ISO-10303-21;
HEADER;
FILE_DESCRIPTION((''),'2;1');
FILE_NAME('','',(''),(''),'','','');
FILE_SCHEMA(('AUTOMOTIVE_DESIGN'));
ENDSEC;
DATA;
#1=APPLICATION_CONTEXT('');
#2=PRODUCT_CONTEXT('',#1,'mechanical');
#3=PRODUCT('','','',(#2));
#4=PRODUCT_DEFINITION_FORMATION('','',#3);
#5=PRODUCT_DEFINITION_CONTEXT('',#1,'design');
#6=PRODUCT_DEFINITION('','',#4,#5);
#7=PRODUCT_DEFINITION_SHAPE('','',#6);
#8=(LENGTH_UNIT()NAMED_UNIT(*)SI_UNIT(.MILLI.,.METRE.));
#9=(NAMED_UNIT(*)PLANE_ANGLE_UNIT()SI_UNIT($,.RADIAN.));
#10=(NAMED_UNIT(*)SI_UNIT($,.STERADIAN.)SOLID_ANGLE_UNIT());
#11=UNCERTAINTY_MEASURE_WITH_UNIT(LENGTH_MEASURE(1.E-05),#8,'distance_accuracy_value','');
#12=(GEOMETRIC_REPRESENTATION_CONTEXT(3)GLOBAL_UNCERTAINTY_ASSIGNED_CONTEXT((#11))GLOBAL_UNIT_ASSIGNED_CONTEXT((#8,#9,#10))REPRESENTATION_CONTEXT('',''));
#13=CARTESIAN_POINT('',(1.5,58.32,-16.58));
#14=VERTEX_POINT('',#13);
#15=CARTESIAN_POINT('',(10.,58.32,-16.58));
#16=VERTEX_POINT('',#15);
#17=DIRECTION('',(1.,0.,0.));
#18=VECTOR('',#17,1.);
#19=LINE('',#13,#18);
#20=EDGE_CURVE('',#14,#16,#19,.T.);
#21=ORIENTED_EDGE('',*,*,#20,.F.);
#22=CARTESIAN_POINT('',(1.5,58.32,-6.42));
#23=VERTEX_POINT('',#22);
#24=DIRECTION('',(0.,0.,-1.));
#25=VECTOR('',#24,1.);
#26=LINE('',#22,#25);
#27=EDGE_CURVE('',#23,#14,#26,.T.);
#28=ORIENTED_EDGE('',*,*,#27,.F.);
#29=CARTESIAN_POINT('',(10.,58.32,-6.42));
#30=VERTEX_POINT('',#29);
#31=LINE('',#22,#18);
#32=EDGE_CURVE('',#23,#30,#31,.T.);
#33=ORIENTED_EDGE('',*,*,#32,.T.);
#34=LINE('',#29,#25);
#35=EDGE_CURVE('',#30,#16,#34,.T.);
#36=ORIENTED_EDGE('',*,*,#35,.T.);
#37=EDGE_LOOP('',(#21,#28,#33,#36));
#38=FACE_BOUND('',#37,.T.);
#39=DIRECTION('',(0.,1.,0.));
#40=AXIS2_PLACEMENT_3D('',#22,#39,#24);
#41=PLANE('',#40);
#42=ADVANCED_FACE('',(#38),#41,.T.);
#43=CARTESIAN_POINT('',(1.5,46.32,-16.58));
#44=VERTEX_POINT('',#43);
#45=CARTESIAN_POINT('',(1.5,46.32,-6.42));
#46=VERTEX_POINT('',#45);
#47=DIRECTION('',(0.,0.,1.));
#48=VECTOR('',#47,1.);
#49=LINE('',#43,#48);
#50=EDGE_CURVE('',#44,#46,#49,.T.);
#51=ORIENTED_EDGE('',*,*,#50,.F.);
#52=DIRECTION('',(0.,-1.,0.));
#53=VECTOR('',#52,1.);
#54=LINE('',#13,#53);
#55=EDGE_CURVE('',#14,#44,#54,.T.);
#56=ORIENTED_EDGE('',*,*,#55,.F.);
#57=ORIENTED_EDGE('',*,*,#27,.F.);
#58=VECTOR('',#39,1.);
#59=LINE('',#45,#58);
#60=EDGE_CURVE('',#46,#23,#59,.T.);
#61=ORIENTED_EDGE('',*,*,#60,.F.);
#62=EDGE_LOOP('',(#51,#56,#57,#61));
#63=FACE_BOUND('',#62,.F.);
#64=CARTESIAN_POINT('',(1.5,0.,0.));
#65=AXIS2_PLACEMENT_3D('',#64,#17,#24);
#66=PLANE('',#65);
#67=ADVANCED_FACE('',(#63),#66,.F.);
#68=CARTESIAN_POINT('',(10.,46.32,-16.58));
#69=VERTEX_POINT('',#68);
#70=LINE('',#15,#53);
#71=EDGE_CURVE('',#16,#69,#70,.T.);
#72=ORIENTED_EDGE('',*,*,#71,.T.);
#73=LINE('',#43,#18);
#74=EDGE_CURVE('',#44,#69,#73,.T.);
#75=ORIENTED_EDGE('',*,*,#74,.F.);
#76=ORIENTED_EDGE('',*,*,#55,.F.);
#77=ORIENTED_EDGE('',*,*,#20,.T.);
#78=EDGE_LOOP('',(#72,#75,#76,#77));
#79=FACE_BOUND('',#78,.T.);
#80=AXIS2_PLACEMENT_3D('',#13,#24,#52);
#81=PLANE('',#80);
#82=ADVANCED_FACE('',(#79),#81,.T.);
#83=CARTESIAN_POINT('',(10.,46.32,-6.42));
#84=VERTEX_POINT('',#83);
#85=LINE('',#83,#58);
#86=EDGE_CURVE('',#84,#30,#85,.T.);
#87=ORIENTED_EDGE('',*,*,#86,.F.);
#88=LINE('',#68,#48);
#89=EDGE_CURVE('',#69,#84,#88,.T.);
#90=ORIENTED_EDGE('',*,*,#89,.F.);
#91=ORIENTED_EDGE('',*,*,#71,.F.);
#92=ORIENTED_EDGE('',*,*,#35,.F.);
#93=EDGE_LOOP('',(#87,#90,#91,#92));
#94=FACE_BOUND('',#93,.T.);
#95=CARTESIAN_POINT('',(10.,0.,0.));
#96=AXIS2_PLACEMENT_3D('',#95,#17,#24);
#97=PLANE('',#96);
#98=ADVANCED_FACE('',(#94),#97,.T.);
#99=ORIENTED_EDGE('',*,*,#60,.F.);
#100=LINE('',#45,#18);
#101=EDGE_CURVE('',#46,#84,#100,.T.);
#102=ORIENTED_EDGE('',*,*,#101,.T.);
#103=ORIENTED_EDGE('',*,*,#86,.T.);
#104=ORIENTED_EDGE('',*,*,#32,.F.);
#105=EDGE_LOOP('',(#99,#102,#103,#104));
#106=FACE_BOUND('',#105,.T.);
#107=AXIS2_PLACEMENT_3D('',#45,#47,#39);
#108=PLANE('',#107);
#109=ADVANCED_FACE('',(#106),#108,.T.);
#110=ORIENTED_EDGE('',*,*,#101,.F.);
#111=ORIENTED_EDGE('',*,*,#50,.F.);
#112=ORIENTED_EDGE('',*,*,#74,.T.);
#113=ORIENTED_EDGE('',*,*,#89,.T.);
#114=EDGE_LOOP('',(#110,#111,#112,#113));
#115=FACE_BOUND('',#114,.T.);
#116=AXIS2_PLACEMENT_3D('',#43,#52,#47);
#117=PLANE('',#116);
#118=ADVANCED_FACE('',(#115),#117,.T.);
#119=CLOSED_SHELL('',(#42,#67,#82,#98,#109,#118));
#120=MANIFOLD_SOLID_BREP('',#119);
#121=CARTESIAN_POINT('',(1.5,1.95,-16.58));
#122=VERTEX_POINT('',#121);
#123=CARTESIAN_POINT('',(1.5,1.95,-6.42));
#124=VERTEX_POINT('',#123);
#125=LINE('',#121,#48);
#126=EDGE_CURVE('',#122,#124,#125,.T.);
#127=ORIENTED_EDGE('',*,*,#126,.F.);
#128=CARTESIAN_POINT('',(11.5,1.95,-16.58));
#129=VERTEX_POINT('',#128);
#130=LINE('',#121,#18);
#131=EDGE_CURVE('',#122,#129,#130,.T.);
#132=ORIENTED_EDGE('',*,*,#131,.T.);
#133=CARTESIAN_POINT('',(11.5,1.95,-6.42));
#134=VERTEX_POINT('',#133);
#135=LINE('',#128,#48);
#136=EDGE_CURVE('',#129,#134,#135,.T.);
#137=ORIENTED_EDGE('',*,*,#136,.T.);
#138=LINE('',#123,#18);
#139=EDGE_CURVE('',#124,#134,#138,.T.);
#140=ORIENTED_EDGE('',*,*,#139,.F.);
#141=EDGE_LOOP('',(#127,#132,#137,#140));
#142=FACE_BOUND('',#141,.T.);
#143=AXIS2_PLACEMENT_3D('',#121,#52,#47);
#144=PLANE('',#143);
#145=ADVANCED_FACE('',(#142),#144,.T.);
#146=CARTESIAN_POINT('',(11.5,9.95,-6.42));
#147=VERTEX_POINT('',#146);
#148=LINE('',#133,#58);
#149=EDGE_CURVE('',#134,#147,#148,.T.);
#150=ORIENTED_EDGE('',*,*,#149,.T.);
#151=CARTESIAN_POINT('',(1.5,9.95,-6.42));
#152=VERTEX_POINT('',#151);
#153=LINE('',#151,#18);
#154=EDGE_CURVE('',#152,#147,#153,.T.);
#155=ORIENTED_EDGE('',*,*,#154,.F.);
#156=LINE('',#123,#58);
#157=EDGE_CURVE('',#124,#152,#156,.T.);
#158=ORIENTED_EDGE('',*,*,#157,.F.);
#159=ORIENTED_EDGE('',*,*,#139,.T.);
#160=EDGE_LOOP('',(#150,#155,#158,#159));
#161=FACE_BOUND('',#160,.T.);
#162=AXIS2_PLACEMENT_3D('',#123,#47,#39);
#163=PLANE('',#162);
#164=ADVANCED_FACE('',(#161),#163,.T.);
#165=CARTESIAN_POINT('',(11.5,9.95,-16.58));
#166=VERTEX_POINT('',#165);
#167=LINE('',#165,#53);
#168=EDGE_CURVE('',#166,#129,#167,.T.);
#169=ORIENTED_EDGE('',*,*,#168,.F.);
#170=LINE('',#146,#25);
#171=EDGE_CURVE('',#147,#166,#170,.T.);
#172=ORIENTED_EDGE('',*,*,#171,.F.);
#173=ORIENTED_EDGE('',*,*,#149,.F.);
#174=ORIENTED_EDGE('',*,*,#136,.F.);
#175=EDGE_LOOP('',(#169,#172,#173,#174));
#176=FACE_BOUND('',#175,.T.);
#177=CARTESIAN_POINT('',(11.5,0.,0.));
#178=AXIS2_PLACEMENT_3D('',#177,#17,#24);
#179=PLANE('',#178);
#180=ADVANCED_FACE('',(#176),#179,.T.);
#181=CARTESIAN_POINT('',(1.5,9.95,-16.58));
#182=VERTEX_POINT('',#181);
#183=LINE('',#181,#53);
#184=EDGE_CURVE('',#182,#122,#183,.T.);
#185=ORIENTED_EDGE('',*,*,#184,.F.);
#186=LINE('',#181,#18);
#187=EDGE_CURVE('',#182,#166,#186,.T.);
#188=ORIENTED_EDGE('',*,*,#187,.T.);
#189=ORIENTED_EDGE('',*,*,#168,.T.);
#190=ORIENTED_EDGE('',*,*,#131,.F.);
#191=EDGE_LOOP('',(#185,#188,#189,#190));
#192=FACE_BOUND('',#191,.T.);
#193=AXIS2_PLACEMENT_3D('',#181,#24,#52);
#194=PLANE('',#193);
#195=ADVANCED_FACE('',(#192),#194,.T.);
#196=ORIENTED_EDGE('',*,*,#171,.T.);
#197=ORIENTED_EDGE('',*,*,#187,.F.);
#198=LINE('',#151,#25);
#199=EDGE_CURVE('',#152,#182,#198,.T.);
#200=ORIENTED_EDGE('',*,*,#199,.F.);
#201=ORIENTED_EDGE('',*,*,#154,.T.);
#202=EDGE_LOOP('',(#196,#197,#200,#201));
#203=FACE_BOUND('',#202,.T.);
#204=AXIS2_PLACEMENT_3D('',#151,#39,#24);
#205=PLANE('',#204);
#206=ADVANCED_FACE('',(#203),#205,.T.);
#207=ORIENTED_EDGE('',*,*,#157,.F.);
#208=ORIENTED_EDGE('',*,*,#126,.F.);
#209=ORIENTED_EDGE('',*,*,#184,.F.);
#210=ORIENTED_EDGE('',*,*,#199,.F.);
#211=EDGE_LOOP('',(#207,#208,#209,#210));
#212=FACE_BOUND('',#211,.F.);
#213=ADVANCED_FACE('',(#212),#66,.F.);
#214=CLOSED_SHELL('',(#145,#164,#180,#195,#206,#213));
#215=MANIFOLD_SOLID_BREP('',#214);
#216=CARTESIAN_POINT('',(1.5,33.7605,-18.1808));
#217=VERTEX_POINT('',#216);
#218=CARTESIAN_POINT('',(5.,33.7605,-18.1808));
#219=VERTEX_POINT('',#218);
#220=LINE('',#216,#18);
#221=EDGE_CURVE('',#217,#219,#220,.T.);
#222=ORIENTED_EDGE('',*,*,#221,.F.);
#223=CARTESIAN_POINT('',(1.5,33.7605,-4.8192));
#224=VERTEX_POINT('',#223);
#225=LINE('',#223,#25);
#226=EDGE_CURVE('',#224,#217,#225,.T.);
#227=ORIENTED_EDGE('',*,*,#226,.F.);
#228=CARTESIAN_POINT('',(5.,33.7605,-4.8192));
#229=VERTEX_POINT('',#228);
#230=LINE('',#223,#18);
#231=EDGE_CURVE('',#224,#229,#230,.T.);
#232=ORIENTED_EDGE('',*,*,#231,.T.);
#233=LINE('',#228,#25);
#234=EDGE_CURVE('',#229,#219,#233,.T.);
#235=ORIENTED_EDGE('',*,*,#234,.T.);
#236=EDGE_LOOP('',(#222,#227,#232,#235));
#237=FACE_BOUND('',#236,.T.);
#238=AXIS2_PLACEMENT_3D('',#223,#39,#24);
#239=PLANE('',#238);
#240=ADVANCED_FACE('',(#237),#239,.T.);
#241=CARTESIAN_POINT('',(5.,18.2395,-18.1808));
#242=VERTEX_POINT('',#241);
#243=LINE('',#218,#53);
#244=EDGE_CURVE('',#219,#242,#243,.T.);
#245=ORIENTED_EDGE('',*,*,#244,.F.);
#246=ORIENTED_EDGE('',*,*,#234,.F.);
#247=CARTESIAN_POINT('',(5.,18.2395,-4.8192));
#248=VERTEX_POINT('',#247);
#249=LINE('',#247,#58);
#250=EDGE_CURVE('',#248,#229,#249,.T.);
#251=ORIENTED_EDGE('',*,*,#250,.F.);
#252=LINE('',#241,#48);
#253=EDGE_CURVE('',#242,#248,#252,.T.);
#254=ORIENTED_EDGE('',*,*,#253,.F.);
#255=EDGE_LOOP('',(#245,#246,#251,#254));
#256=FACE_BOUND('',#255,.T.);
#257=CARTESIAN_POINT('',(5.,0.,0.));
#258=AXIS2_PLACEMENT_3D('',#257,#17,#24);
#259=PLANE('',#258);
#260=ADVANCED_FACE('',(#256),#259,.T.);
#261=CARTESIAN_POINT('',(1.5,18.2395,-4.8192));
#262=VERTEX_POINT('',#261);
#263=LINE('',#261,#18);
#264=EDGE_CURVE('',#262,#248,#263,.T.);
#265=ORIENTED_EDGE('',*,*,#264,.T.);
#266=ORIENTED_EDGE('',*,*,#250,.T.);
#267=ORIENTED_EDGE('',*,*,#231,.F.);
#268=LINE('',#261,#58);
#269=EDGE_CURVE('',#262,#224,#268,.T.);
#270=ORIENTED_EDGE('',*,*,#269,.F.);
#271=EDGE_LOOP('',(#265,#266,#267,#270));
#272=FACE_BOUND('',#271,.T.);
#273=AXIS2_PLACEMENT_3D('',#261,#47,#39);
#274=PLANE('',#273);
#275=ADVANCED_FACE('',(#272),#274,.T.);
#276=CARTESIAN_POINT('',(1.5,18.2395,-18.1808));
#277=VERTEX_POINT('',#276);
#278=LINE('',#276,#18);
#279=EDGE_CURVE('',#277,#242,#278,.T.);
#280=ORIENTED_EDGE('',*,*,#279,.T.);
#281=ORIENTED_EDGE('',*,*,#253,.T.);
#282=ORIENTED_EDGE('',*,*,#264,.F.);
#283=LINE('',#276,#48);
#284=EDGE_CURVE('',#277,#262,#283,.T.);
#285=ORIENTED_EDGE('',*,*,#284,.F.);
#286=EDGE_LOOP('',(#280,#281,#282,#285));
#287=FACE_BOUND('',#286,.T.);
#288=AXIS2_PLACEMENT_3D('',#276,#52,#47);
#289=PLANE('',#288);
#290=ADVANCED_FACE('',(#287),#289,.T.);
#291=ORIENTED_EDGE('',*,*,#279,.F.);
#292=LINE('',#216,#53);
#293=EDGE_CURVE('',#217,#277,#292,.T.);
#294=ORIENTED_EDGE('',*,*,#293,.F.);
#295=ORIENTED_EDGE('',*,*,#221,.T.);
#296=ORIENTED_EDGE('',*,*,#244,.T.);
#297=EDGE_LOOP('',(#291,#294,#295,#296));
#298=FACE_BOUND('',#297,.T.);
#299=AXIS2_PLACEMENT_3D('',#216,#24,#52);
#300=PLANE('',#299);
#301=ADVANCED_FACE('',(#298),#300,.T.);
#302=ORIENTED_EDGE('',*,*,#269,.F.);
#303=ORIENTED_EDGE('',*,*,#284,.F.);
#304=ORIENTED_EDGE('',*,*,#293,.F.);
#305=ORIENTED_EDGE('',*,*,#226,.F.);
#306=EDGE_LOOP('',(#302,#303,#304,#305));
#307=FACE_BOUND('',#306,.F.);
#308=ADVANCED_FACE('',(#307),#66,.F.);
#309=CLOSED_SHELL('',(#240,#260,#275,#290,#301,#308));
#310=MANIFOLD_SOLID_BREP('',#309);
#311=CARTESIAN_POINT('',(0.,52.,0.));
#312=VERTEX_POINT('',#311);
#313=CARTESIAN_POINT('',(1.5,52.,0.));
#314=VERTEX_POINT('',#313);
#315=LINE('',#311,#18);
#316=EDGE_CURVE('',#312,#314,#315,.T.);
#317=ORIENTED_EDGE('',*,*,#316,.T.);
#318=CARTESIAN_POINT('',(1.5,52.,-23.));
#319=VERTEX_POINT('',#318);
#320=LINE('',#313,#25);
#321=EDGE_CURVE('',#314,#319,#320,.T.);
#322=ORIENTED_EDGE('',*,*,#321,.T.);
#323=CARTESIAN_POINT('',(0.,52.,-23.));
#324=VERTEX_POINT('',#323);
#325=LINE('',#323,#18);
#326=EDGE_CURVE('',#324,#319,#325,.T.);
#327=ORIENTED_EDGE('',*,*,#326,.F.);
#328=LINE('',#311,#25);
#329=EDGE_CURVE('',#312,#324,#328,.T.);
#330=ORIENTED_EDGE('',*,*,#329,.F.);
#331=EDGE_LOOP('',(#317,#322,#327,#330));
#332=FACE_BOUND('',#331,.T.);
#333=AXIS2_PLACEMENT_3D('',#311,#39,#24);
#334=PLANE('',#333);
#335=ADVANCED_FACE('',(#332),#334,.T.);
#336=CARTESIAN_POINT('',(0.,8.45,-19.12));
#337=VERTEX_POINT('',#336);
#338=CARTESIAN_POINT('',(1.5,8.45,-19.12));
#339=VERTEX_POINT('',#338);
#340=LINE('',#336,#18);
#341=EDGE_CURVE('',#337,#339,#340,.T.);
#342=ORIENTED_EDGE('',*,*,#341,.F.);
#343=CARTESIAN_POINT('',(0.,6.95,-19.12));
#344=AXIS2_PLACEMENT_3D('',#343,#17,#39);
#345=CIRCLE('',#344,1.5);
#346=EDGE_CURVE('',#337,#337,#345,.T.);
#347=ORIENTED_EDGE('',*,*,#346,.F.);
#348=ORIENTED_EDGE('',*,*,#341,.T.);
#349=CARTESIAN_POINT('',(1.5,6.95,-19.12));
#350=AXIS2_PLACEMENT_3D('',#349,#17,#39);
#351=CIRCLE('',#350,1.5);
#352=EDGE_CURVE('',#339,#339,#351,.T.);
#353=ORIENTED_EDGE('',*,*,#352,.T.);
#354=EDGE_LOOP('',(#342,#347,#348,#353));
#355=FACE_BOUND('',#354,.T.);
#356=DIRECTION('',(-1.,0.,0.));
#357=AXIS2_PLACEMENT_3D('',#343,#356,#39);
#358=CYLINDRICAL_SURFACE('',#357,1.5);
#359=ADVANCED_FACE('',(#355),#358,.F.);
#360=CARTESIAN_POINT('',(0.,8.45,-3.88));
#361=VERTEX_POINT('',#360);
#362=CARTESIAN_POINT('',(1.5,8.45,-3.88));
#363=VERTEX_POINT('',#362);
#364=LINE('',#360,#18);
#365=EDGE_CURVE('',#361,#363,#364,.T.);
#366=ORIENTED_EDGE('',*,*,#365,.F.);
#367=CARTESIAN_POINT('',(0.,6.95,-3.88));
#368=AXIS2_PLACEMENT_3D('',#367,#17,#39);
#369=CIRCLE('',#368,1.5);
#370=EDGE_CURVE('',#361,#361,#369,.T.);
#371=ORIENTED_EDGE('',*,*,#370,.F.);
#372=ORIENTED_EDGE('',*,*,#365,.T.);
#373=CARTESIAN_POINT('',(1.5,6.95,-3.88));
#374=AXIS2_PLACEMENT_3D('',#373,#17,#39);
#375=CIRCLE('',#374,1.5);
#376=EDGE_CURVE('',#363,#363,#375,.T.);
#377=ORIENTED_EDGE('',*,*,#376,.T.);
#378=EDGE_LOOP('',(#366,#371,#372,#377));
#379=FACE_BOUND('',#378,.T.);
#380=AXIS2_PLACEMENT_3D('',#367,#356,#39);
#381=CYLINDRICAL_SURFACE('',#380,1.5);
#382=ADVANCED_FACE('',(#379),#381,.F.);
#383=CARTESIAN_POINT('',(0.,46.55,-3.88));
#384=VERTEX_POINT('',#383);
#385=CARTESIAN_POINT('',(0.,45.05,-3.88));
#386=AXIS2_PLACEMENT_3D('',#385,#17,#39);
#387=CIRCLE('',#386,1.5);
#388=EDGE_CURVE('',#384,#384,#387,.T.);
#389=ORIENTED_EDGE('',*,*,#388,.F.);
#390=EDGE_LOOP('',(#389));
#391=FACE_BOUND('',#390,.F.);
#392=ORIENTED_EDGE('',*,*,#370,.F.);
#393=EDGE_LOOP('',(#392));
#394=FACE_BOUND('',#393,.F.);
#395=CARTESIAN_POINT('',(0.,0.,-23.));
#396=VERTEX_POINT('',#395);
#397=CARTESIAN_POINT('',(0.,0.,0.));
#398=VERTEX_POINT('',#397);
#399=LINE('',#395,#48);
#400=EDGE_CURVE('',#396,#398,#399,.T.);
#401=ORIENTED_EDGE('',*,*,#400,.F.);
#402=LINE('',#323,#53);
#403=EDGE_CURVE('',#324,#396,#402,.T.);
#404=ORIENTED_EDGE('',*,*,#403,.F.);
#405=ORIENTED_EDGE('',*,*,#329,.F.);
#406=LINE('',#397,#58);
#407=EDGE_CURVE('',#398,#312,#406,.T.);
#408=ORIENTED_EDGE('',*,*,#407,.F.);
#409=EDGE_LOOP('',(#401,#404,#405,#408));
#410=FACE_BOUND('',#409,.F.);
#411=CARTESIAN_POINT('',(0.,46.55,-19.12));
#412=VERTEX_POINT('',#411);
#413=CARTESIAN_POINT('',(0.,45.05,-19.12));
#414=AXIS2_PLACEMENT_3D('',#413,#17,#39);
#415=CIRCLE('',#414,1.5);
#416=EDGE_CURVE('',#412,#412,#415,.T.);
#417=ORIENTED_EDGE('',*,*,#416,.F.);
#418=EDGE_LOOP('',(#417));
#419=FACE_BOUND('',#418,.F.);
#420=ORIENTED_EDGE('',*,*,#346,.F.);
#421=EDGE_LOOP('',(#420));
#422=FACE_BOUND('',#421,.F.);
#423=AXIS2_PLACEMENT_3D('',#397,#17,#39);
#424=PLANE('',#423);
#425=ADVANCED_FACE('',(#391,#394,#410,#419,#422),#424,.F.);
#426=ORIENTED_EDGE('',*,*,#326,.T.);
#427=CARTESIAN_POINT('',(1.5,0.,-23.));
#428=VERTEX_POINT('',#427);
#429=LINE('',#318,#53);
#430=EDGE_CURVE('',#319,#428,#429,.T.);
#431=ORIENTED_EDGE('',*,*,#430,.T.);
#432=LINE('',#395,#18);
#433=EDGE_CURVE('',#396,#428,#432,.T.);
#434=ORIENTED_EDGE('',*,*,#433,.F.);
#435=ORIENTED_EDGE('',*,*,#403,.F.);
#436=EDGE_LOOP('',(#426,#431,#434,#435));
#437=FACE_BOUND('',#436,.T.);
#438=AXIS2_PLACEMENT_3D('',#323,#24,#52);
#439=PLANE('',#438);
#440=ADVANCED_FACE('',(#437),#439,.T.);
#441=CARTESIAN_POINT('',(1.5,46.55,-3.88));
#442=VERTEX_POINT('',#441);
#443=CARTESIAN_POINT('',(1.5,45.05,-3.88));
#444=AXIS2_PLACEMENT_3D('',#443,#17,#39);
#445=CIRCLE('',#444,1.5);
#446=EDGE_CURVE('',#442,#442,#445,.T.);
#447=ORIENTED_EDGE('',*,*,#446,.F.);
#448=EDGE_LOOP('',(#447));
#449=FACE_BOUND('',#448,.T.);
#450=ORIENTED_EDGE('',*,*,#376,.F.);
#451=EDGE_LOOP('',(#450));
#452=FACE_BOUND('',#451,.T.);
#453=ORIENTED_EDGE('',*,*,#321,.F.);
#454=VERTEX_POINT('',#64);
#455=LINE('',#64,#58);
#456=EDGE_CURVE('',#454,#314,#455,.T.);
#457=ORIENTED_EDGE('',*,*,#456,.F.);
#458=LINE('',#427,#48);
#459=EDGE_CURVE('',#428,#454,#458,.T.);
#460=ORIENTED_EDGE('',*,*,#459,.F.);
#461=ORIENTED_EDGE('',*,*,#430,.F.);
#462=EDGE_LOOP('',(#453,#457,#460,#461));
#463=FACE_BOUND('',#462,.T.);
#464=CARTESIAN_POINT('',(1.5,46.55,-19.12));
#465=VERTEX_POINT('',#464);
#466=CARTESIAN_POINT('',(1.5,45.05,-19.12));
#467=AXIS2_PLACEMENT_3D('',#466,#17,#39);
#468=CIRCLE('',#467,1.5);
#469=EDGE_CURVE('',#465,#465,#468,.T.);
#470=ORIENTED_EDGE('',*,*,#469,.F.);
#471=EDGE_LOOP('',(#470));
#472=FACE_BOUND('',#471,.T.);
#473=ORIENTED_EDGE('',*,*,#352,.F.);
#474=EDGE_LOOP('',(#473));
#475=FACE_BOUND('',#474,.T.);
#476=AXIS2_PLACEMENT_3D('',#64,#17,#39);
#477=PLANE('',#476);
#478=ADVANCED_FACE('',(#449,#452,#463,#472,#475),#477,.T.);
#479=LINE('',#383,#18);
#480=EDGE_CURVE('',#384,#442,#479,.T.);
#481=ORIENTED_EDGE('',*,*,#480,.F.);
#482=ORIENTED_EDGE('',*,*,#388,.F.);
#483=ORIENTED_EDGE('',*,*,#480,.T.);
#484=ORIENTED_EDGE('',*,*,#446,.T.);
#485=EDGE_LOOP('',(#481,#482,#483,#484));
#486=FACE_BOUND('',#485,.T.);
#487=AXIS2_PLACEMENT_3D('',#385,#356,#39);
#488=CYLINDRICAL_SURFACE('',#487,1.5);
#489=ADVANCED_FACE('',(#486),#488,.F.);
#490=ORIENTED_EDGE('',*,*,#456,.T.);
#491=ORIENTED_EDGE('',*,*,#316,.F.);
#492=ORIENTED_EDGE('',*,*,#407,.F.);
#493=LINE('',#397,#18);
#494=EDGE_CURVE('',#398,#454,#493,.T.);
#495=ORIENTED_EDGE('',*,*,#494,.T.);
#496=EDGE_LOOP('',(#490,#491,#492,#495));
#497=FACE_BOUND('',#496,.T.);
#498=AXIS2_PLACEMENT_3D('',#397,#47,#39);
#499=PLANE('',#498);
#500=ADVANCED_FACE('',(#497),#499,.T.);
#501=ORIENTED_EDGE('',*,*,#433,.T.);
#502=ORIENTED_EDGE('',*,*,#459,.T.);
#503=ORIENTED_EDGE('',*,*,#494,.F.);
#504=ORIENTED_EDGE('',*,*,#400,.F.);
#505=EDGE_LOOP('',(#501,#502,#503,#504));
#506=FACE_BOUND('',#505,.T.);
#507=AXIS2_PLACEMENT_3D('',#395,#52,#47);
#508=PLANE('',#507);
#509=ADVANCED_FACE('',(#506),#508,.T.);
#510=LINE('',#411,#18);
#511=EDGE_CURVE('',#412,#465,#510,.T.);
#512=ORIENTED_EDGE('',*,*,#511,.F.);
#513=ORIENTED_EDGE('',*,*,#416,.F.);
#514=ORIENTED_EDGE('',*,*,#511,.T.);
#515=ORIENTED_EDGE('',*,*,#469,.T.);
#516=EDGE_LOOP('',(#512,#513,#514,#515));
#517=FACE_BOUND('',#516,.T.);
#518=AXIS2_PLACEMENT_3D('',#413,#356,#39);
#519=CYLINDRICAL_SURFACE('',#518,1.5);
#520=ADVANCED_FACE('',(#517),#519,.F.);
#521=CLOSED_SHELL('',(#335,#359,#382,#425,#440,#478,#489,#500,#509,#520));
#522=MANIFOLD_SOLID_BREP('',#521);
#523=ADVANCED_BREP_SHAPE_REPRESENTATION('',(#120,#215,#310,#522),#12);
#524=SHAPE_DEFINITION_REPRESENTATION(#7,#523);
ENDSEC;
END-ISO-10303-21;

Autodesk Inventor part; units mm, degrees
ref_plane "YZ Plane" through (0, 0, 0) normal (1, 0, 0) x (0, 1, 0)
ref_plane "XZ Plane" through (0, 0, 0) normal (0, 1, 0) x (-1, 0, 0)
ref_plane "XY Plane" through (0, 0, 0) normal (0, 0, 1) x (1, 0, 0)
sketch "Sketch1" plane through (0, 0, 0) normal (1, 0, 0) x (0, 1, 0)
  line L0 (0, 0) -> (52, 0)
  line L1 (52, 0) -> (52, -23)
  line L2 (52, -23) -> (0, -23)
  line L3 (0, -23) -> (0, 0)
  circle A0 centre (45.05, -3.88) radius 1.5
  circle A1 centre (45.05, -19.12) radius 1.5
  circle A2 centre (6.95, -3.88) radius 1.5
  circle A3 centre (6.95, -19.12) radius 1.5
  line L4 (45.05, -3.88) -> (6.95, -19.12) construction
  point P0 (26, -11.5)
  point P1 (52, -11.5)
  point P2 (26, 0)
  dimension "d0" = 23
  dimension "d1" = 52
  dimension "d2" = 3
  dimension "d3" = 15.24
  dimension "d4" = 38.1
extrude "Extrusion1" add sketch "Sketch1" along normal blind 1.5
sketch "Sketch2" plane through (1.5, 0, 0) normal (1, 0, 0) x (0, 0, -1)
  line L0 (23, 0) -> (23, 52) construction
  line L1 (23, 52) -> (0, 52) construction
  line L2 (0, 52) -> (0, 0) construction
  line L3 (0, 0) -> (23, 0) construction
  circle A0 centre (19.12, 6.95) radius 1.5 construction
  circle A1 centre (3.88, 6.95) radius 1.5 construction
  circle A2 centre (19.12, 45.05) radius 1.5 construction
  circle A3 centre (3.88, 45.05) radius 1.5 construction
  line L4 (6.42, 58.32) -> (16.58, 58.32)
  line L5 (16.58, 58.32) -> (16.58, 46.32)
  line L6 (16.58, 46.32) -> (6.42, 46.32)
  line L7 (6.42, 46.32) -> (6.42, 58.32)
  line L8 (3.88, 45.05) -> (19.12, 45.05) construction
  point P0 (11.5, 45.05)
  point P1 (11.5, 46.32)
  dimension "d7" = 12
  dimension "d8" = 10.16
  dimension "d9" = 1.27
extrude "Extrusion2" add sketch "Sketch2" along normal blind 8.5 separate body
sketch "Sketch3" plane through (1.5, 0, 0) normal (1, 0, 0) x (0, 0, -1)
  circle A0 centre (3.88, 6.95) radius 1.5 construction
  circle A1 centre (19.12, 6.95) radius 1.5 construction
  line L0 (0, 0) -> (23, 0) construction
  line L1 (6.42, 9.95) -> (16.58, 9.95)
  line L2 (16.58, 9.95) -> (16.58, 1.95)
  line L3 (16.58, 1.95) -> (6.42, 1.95)
  line L4 (6.42, 1.95) -> (6.42, 9.95)
  line L5 (3.88, 6.95) -> (19.12, 6.95) construction
  point P0 (11.5, 6.95)
  point P1 (11.5, 9.95)
  dimension "d12" = 10.16
  dimension "d13" = 8
  dimension "d14" = 3
extrude "Extrusion3" add sketch "Sketch3" along normal blind 10 separate body
sketch "Sketch4" plane through (1.5, 0, 0) normal (1, 0, 0) x (0, 0, -1)
  circle A0 centre (3.88, 45.05) radius 1.5 construction
  circle A1 centre (19.12, 6.95) radius 1.5 construction
  line L0 (4.8192, 33.7605) -> (18.1808, 33.7605)
  line L1 (18.1808, 33.7605) -> (18.1808, 18.2395)
  line L2 (18.1808, 18.2395) -> (4.8192, 18.2395)
  line L3 (4.8192, 18.2395) -> (4.8192, 33.7605)
  line L4 (3.88, 45.05) -> (19.12, 6.95) construction
  point P0 (0, 0)
  point P1 (18.1808, 26)
  point P2 (11.5, 26)
  point P3 (11.5, 33.7605)
extrude "Extrusion4" add sketch "Sketch4" along normal blind 3.5 separate body
properties part number "buck_converter"
